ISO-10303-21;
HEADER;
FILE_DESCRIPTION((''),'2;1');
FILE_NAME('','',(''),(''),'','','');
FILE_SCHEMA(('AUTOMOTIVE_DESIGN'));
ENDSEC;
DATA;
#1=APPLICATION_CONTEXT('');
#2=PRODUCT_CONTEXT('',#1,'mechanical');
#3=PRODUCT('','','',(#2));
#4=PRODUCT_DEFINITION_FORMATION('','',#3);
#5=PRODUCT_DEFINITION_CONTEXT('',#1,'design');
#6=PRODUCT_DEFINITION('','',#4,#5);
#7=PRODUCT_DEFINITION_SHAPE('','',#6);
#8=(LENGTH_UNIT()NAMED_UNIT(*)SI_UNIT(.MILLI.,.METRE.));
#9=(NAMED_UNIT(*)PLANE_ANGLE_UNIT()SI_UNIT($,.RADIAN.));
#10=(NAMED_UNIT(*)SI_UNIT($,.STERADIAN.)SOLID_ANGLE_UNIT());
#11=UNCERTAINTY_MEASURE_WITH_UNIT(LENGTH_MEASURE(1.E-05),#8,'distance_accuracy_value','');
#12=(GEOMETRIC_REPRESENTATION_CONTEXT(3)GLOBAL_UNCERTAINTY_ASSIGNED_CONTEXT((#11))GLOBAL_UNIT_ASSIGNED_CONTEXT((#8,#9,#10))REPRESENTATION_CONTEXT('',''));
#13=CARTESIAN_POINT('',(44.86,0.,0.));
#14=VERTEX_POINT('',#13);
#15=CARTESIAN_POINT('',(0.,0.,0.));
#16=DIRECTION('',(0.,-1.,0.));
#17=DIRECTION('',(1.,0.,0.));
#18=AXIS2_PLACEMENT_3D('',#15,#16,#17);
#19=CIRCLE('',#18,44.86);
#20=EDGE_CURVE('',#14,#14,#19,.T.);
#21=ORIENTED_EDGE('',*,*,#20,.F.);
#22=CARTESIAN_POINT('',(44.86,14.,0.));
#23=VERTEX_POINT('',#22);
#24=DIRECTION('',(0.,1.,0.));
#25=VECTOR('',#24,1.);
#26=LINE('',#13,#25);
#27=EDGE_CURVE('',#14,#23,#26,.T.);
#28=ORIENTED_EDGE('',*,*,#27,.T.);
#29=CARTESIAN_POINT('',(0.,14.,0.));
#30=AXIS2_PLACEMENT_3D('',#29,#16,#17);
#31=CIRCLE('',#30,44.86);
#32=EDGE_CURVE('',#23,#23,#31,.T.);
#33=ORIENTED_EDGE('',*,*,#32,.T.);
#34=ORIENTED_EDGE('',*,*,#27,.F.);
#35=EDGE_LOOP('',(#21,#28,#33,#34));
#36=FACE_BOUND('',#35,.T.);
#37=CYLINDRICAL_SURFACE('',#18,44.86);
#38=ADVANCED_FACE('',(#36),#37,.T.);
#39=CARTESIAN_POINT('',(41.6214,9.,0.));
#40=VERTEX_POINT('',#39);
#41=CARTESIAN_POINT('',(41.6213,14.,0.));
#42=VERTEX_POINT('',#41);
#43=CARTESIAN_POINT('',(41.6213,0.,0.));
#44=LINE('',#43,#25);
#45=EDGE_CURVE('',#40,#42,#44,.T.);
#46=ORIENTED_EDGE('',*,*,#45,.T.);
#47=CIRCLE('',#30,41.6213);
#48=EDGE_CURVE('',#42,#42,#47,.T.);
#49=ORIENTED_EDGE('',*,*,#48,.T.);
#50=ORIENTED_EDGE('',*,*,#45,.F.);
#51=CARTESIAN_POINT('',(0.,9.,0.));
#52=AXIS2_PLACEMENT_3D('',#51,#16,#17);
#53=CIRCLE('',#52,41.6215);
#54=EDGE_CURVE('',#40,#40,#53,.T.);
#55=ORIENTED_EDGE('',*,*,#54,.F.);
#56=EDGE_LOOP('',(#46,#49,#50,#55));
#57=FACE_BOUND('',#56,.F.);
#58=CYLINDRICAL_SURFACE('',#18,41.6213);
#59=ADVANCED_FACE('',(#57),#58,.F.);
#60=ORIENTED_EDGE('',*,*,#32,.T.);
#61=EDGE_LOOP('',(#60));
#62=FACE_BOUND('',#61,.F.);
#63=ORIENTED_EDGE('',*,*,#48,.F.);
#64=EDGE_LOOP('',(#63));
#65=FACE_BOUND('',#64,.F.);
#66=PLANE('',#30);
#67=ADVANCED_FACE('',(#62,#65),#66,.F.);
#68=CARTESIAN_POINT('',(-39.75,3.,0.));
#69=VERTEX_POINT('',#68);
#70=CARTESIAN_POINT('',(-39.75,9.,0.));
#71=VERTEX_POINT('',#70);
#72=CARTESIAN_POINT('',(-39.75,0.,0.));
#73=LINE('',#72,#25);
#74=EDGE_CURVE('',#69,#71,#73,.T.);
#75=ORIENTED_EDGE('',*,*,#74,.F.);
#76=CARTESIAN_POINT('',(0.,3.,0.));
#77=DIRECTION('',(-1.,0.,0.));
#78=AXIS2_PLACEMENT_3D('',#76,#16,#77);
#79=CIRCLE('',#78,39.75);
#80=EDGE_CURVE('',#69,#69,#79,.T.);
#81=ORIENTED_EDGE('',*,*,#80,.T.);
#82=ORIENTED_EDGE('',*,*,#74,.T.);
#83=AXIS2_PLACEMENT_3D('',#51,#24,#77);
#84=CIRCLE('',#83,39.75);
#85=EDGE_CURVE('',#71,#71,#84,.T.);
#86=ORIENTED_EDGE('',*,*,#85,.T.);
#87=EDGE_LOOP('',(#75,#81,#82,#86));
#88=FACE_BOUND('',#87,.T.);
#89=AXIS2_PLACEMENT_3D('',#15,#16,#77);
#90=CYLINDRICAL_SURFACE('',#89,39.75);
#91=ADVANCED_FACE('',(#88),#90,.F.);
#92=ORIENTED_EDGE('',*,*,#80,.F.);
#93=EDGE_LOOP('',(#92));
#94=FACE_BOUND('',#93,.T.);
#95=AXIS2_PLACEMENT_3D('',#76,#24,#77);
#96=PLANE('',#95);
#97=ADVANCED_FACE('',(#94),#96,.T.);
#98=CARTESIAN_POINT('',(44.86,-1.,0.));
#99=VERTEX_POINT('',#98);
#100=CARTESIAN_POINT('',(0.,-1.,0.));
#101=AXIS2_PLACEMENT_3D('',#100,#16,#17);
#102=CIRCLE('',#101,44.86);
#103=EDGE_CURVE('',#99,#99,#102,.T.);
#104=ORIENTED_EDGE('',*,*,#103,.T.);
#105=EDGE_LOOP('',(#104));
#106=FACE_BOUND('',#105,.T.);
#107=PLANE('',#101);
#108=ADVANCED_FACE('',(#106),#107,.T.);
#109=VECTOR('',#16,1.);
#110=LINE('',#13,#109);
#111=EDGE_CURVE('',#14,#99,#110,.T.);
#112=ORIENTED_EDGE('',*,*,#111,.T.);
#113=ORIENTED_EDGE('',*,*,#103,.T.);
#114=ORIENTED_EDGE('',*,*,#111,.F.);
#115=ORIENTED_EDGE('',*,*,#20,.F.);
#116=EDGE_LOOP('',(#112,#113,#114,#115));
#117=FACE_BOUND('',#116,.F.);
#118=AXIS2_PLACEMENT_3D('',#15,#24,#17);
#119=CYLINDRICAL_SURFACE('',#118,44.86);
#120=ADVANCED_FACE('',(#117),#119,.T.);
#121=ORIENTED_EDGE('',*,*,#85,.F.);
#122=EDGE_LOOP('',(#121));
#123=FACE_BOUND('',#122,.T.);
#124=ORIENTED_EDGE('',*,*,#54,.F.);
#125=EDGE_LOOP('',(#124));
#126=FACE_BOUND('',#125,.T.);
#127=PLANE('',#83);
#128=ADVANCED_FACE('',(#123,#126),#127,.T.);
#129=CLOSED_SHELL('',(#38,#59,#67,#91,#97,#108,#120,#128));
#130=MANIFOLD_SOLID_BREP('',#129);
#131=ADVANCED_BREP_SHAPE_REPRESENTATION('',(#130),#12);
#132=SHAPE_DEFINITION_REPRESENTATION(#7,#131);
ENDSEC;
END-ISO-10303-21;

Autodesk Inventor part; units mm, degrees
ref_plane "YZ Plane" through (0, 0, 0) normal (1, 0, 0) x (0, 1, 0)
ref_plane "XZ Plane" through (0, 0, 0) normal (0, 1, 0) x (-1, 0, 0)
ref_plane "XY Plane" through (0, 0, 0) normal (0, 0, 1) x (1, 0, 0)
sketch "Sketch4" plane through (0, 0, 0) normal (0, 1, 0) x (-1, 0, 0)
  circle A0 centre (0, 0) radius 39.75
  circle A1 centre (0, 0) radius 41.6215
  circle A2 centre (0, 0) radius 41.6213
  dimension "d17" = 79.5
  dimension "d18" = 83.243
sketch "Sketch6" plane through (0, 0, 0) normal (0, 1, 0) x (-1, 0, 0)
  circle A0 centre (0, 0) radius 39.7618
extrude "Extrusion1" add sketch "Sketch6" along normal blind 3
extrude "Extrusion2" add sketch "Sketch4" along normal blind 9
sketch "Sketch7" plane through (0, 0, 0) normal (0, -1, 0) x (1, 0, 0)
  circle A0 centre (0, 0) radius 44.86
  circle A1 centre (0, 0) radius 41.6213
extrude "Extrusion3" add sketch "Sketch7" against normal blind 14
sketch "Sketch8" plane through (0, 0, 0) normal (0, -1, 0) x (1, 0, 0)
  circle A0 centre (0, 0) radius 44.86
extrude "Extrusion4" add sketch "Sketch8" along normal blind 1
properties part number "Soft Coating Gripper mold_6mil"
